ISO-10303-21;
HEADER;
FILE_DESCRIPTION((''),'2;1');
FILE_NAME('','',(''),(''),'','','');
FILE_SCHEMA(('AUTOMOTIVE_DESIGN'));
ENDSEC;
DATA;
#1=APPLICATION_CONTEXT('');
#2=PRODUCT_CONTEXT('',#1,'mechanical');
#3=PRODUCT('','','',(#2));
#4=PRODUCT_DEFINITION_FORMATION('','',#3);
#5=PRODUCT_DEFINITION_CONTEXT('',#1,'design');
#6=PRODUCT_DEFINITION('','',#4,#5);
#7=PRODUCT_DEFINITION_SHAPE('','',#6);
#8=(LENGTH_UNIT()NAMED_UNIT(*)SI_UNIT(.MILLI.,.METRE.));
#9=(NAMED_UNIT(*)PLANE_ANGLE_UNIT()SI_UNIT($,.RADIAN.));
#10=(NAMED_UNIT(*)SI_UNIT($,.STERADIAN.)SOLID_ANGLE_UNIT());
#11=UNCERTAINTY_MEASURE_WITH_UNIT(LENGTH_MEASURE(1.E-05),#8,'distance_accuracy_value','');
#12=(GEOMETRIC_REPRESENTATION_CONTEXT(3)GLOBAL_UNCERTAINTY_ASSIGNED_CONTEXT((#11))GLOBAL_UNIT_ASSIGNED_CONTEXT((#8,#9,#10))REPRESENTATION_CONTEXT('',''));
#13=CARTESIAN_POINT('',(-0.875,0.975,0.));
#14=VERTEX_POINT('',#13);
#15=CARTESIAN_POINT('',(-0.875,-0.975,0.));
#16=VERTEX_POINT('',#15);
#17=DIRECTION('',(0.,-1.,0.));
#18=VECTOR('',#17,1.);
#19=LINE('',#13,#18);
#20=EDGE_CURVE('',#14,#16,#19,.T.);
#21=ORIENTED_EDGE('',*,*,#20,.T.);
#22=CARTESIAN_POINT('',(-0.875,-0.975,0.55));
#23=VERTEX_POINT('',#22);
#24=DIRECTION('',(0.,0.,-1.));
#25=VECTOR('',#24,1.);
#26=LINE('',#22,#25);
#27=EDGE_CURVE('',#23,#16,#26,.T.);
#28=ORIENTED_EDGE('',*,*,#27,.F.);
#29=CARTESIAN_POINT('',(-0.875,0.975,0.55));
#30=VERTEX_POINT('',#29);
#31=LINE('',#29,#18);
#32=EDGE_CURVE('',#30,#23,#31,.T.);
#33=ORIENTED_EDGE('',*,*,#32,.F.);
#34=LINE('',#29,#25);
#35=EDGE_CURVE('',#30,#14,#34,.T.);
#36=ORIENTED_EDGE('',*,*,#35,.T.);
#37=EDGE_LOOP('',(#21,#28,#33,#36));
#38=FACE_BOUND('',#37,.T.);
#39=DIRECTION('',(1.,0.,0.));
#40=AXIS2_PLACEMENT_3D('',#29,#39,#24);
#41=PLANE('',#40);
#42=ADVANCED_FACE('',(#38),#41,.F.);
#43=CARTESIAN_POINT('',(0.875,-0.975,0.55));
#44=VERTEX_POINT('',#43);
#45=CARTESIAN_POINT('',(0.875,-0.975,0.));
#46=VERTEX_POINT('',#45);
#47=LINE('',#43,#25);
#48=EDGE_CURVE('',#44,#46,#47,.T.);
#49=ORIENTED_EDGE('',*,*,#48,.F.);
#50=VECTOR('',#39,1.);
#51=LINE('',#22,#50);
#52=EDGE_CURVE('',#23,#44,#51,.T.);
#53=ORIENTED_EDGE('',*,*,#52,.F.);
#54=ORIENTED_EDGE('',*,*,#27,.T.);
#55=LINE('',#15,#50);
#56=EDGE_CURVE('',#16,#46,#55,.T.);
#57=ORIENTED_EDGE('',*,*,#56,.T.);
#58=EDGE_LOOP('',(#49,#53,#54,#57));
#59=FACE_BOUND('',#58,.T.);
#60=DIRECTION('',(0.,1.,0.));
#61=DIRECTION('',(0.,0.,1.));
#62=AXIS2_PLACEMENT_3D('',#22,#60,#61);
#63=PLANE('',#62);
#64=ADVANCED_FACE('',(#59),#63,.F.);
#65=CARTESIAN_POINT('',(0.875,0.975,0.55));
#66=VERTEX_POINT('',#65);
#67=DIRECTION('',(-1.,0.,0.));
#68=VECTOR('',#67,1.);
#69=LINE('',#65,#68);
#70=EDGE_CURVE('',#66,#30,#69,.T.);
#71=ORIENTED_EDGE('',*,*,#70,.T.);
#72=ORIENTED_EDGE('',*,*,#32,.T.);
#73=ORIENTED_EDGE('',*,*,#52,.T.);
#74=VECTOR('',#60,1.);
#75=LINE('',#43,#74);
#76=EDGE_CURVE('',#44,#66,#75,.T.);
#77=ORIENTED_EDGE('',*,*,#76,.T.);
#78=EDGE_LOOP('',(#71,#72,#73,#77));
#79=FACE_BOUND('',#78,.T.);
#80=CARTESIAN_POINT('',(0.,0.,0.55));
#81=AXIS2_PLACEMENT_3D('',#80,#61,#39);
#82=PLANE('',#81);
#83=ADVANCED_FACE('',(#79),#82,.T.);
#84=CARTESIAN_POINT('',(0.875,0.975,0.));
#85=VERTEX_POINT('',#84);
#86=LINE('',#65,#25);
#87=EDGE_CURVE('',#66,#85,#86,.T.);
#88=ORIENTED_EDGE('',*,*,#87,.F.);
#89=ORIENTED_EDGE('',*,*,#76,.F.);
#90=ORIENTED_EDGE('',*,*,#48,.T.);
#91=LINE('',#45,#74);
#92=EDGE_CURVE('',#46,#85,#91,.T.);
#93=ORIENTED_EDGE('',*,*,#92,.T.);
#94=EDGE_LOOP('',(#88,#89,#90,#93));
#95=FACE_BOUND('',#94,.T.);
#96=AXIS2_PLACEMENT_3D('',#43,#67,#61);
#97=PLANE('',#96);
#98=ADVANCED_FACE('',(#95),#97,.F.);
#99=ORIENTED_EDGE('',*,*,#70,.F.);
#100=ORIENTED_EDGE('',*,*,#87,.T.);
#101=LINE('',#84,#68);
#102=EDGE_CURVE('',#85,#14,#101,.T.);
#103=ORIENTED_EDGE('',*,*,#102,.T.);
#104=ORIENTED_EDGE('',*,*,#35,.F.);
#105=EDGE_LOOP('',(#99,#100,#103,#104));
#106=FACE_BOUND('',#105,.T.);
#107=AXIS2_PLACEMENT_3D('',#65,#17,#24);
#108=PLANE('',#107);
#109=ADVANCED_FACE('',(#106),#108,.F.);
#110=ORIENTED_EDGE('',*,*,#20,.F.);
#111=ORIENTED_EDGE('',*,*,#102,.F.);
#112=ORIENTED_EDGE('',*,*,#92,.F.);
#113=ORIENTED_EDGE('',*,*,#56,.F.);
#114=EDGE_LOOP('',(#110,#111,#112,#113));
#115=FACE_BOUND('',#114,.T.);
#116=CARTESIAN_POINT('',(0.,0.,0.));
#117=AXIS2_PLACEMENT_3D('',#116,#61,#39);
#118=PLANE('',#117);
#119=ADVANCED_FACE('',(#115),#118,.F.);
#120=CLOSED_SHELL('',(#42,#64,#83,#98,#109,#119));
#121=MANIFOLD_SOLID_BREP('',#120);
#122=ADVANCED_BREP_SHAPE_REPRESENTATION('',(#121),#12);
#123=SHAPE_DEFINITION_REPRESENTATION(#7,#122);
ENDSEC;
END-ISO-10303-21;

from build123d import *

# Parameters (mm, degrees)
SKETCH_1_W      = 1.75
SKETCH_1_H      = 1.95
EXTRUDE_1_DEPTH = 0.55


with BuildPart() as part:
    # 草图1 → 凸台-拉伸1 (new body)
    with BuildSketch(Plane.XY):
        Rectangle(SKETCH_1_W, SKETCH_1_H)
    extrude(amount=EXTRUDE_1_DEPTH)


solid = part.part
